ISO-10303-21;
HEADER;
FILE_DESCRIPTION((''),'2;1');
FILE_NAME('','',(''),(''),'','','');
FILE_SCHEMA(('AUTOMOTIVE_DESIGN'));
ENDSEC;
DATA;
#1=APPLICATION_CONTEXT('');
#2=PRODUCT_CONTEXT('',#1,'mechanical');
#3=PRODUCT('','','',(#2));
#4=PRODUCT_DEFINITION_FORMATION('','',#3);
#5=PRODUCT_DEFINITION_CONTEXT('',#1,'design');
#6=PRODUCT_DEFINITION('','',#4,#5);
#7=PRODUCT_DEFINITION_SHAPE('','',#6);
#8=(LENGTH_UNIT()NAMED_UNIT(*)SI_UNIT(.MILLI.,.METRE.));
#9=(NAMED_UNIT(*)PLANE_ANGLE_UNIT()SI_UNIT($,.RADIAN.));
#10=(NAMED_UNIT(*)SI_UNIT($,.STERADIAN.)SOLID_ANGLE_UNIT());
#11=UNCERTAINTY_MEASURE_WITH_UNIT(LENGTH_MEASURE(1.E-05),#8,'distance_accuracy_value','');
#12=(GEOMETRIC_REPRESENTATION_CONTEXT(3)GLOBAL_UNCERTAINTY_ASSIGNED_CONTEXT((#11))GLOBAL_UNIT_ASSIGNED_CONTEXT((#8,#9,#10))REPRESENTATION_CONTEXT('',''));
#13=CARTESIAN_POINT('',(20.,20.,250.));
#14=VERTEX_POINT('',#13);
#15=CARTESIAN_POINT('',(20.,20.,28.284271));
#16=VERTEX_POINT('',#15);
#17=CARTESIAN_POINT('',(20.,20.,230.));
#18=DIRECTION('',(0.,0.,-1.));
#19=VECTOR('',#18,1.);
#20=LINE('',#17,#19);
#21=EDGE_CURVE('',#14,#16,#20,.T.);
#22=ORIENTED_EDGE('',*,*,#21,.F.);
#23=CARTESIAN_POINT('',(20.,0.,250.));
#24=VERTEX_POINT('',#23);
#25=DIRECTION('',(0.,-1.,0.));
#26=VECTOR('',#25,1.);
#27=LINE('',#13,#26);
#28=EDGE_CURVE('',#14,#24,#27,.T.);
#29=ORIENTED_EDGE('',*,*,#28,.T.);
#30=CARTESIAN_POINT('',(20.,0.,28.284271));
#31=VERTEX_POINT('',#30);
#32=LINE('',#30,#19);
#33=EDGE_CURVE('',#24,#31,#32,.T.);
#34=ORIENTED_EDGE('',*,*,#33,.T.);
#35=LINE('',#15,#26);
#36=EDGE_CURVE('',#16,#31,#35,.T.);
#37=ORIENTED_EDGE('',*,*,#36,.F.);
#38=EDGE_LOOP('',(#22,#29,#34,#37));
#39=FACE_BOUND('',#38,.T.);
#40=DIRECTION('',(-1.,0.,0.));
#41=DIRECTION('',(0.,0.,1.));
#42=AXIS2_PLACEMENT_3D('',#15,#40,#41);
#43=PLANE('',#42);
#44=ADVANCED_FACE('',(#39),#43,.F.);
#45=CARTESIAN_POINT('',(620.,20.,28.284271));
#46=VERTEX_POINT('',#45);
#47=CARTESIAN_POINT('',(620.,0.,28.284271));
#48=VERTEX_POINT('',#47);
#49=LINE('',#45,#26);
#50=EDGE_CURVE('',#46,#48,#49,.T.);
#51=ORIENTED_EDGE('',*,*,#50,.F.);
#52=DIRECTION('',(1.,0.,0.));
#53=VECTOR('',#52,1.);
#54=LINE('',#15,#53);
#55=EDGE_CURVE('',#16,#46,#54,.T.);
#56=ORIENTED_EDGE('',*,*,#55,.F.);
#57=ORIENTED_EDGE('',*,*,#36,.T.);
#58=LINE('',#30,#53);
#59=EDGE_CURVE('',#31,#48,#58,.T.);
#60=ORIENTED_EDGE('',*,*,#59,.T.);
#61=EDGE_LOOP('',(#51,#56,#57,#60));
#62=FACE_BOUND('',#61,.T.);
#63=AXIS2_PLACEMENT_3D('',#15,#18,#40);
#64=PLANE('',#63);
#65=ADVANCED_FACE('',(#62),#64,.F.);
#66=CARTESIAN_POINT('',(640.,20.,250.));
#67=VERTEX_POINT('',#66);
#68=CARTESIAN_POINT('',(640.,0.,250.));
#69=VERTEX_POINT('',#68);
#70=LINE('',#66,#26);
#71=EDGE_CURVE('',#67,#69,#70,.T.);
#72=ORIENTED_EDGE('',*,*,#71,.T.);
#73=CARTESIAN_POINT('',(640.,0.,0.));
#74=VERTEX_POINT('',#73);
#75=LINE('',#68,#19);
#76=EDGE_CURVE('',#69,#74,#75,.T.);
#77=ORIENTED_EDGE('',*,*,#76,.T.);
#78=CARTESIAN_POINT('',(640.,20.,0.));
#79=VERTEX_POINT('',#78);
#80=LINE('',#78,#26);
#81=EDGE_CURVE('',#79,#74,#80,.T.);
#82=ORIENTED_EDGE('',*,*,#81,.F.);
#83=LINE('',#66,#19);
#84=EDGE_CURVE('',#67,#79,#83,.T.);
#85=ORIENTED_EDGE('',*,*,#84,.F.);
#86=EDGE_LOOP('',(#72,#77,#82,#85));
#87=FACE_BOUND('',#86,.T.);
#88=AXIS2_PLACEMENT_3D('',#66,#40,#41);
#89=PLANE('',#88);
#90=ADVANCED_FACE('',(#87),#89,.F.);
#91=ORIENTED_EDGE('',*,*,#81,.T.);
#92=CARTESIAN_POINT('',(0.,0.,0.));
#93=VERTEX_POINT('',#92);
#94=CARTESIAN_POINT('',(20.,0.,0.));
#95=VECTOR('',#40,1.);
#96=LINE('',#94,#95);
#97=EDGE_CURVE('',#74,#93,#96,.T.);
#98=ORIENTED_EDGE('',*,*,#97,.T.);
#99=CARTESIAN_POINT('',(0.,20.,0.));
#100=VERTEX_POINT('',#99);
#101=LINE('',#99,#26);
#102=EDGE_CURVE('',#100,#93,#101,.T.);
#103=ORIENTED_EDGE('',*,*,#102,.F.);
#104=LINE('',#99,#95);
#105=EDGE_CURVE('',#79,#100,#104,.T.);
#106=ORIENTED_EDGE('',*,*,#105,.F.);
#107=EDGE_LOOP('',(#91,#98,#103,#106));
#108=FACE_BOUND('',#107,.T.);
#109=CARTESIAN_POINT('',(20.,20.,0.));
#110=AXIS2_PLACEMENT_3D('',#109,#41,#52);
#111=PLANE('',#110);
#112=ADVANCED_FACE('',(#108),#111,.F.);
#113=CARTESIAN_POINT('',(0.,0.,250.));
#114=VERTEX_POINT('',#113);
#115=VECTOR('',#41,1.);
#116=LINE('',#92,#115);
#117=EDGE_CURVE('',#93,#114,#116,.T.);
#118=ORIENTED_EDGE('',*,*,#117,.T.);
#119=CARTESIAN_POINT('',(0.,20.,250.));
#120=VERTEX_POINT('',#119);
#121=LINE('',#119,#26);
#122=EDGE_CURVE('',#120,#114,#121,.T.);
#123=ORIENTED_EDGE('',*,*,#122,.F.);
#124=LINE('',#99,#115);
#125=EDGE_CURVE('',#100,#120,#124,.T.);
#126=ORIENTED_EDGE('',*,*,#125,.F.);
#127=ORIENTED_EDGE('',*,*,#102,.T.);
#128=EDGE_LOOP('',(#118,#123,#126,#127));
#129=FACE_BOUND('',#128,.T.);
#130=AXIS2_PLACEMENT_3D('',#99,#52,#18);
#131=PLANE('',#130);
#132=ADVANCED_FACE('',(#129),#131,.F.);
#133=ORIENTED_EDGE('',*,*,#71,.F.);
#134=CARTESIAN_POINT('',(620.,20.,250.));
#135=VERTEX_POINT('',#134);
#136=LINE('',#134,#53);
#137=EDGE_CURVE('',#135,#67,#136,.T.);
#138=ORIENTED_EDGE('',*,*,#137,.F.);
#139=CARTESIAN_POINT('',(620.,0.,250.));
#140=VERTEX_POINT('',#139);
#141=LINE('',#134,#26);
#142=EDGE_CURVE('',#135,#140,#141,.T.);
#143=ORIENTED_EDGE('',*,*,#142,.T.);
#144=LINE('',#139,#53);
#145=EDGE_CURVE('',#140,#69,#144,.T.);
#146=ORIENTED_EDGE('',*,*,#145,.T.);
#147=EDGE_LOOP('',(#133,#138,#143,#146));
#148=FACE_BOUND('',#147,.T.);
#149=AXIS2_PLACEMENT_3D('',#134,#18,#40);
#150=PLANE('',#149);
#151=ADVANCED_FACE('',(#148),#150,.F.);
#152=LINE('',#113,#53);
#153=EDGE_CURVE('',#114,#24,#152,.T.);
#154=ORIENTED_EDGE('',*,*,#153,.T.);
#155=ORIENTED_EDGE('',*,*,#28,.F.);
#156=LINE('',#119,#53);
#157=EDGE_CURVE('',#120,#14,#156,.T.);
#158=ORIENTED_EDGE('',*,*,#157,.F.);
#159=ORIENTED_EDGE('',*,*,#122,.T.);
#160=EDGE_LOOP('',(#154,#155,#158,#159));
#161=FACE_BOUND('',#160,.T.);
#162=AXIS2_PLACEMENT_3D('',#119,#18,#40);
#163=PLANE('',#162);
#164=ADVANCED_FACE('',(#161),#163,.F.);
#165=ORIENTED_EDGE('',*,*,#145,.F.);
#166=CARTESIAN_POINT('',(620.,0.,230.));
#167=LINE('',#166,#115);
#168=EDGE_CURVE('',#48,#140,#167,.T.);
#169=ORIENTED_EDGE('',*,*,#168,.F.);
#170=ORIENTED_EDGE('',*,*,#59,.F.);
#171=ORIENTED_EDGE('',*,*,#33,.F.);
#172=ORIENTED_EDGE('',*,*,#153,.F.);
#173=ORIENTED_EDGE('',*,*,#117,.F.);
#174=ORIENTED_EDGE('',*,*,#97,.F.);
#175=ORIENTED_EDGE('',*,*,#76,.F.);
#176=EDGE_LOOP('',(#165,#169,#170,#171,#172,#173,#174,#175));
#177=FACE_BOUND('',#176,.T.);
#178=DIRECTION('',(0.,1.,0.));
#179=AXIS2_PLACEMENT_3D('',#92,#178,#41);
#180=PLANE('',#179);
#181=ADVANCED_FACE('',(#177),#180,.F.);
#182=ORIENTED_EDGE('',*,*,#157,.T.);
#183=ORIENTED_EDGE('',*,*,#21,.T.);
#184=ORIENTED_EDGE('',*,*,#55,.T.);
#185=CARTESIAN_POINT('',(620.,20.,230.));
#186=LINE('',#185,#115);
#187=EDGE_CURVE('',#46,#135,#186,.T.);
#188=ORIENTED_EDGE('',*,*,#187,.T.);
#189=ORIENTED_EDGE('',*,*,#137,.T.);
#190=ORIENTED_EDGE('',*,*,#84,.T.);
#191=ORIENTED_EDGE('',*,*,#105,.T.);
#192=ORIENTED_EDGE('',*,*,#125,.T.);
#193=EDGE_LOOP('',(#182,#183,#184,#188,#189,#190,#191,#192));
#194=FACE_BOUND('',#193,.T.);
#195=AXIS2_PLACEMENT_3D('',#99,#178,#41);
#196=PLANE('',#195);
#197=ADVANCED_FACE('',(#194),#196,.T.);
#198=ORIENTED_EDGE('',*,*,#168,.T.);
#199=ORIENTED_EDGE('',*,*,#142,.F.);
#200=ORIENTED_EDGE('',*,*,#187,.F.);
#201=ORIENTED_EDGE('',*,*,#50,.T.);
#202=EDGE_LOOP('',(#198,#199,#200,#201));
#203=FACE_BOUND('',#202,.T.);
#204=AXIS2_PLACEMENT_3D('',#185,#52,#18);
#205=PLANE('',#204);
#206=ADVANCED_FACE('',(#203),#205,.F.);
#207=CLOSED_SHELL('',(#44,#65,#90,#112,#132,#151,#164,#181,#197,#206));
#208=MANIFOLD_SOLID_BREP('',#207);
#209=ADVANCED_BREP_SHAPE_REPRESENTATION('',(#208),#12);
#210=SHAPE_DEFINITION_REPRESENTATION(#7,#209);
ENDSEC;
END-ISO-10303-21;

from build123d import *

# Parameters (mm, degrees)
BOSS_EXTRUDE1_DEPTH = 20


with BuildPart() as part:
    # Sketch1 → Boss-Extrude1 (new body)
    with BuildSketch(Plane(origin=(0, 0, 0), x_dir=(1, 0, 0), z_dir=(0, 1, 0))):
        Polygon((0, 0), (0, -250), (20, -250), (20, -230), (20, -28.284271247), (620, -28.284271247), (620, -230), (620, -250), (640, -250), (640, 0), (620, 0), (20, 0), align=None)
    extrude(amount=BOSS_EXTRUDE1_DEPTH)


solid = part.part
